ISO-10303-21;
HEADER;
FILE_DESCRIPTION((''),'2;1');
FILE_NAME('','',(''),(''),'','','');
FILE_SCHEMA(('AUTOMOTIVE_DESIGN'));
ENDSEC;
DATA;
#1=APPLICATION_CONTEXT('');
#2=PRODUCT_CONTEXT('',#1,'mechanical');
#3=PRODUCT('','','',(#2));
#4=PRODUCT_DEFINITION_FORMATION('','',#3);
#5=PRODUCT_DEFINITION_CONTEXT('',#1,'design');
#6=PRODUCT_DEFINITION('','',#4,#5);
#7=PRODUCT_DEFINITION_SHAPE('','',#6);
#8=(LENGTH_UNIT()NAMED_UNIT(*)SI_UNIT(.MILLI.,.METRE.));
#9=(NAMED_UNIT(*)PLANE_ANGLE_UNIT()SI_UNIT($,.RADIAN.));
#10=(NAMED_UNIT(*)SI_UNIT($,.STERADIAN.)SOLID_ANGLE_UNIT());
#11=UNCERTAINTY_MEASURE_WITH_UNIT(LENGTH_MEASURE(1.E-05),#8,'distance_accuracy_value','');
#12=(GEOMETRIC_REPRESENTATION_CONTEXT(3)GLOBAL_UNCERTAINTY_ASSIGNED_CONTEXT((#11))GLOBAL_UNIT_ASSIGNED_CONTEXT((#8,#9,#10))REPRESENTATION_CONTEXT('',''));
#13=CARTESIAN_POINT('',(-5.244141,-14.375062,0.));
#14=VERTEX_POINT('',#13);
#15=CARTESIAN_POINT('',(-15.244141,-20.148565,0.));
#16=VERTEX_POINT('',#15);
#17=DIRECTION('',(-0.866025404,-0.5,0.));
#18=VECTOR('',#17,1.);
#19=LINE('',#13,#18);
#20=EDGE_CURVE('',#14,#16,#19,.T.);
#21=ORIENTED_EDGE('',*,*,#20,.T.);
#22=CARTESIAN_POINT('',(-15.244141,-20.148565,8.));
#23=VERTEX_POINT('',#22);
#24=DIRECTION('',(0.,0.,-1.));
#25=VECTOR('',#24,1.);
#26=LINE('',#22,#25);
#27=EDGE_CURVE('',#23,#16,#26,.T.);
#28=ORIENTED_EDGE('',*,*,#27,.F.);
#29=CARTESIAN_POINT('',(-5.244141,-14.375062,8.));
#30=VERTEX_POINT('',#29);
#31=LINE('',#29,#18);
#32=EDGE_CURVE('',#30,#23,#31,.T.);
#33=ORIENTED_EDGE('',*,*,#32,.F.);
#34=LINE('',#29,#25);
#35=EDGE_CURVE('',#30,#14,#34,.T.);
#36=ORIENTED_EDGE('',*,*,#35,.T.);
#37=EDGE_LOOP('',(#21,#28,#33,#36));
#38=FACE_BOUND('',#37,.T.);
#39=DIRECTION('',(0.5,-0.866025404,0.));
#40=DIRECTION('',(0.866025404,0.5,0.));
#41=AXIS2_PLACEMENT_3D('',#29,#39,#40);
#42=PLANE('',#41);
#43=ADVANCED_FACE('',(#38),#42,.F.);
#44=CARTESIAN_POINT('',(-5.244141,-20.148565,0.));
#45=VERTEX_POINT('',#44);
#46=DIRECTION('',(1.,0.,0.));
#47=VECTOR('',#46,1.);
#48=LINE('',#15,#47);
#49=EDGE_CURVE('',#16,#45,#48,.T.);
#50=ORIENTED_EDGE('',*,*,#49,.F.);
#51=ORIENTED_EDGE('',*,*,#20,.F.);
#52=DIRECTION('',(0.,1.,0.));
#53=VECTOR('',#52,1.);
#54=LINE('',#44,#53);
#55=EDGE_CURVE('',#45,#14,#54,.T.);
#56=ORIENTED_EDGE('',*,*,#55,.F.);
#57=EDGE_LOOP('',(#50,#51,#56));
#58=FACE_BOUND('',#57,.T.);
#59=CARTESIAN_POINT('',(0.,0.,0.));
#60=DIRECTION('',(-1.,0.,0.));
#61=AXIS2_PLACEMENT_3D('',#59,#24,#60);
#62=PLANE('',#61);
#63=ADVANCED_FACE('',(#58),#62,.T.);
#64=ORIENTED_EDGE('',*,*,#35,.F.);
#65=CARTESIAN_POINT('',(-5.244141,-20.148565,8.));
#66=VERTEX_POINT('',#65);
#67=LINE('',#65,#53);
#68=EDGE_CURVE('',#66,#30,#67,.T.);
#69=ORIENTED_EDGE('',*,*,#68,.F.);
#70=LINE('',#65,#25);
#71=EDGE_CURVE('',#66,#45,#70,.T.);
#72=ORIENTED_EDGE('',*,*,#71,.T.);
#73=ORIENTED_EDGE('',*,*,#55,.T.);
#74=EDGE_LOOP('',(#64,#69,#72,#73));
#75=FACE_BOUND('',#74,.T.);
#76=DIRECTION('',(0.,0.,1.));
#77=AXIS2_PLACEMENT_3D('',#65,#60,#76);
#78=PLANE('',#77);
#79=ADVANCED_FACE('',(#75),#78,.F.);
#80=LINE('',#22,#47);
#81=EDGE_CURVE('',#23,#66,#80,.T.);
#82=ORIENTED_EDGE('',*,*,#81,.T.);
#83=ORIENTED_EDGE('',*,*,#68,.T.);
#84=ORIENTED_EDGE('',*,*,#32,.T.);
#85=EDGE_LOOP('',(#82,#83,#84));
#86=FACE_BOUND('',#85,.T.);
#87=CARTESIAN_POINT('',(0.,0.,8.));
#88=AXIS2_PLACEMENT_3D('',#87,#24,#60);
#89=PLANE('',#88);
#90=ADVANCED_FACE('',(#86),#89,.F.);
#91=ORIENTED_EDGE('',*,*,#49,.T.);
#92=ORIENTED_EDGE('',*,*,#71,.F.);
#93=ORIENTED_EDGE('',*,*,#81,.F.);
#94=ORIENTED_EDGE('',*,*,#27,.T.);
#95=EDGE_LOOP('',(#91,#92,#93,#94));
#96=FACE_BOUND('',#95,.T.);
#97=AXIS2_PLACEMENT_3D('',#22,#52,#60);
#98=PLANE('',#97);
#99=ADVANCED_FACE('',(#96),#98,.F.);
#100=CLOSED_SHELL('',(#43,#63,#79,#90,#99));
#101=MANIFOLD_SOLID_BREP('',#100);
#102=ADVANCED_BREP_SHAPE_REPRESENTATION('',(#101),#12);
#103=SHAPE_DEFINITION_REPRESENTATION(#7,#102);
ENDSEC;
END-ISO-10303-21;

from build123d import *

# Parameters (mm, degrees)
EXTRUDE_1_DEPTH = 8


with BuildPart() as part:
    # 草圖1 → 填料-伸長1 (new body)
    with BuildSketch(Plane.XY):
        Polygon((-15.244141393, -20.148564704), (-5.244141393, -20.148564704), (-5.244141393, -14.375062012), align=None)
    extrude(amount=EXTRUDE_1_DEPTH)


solid = part.part
